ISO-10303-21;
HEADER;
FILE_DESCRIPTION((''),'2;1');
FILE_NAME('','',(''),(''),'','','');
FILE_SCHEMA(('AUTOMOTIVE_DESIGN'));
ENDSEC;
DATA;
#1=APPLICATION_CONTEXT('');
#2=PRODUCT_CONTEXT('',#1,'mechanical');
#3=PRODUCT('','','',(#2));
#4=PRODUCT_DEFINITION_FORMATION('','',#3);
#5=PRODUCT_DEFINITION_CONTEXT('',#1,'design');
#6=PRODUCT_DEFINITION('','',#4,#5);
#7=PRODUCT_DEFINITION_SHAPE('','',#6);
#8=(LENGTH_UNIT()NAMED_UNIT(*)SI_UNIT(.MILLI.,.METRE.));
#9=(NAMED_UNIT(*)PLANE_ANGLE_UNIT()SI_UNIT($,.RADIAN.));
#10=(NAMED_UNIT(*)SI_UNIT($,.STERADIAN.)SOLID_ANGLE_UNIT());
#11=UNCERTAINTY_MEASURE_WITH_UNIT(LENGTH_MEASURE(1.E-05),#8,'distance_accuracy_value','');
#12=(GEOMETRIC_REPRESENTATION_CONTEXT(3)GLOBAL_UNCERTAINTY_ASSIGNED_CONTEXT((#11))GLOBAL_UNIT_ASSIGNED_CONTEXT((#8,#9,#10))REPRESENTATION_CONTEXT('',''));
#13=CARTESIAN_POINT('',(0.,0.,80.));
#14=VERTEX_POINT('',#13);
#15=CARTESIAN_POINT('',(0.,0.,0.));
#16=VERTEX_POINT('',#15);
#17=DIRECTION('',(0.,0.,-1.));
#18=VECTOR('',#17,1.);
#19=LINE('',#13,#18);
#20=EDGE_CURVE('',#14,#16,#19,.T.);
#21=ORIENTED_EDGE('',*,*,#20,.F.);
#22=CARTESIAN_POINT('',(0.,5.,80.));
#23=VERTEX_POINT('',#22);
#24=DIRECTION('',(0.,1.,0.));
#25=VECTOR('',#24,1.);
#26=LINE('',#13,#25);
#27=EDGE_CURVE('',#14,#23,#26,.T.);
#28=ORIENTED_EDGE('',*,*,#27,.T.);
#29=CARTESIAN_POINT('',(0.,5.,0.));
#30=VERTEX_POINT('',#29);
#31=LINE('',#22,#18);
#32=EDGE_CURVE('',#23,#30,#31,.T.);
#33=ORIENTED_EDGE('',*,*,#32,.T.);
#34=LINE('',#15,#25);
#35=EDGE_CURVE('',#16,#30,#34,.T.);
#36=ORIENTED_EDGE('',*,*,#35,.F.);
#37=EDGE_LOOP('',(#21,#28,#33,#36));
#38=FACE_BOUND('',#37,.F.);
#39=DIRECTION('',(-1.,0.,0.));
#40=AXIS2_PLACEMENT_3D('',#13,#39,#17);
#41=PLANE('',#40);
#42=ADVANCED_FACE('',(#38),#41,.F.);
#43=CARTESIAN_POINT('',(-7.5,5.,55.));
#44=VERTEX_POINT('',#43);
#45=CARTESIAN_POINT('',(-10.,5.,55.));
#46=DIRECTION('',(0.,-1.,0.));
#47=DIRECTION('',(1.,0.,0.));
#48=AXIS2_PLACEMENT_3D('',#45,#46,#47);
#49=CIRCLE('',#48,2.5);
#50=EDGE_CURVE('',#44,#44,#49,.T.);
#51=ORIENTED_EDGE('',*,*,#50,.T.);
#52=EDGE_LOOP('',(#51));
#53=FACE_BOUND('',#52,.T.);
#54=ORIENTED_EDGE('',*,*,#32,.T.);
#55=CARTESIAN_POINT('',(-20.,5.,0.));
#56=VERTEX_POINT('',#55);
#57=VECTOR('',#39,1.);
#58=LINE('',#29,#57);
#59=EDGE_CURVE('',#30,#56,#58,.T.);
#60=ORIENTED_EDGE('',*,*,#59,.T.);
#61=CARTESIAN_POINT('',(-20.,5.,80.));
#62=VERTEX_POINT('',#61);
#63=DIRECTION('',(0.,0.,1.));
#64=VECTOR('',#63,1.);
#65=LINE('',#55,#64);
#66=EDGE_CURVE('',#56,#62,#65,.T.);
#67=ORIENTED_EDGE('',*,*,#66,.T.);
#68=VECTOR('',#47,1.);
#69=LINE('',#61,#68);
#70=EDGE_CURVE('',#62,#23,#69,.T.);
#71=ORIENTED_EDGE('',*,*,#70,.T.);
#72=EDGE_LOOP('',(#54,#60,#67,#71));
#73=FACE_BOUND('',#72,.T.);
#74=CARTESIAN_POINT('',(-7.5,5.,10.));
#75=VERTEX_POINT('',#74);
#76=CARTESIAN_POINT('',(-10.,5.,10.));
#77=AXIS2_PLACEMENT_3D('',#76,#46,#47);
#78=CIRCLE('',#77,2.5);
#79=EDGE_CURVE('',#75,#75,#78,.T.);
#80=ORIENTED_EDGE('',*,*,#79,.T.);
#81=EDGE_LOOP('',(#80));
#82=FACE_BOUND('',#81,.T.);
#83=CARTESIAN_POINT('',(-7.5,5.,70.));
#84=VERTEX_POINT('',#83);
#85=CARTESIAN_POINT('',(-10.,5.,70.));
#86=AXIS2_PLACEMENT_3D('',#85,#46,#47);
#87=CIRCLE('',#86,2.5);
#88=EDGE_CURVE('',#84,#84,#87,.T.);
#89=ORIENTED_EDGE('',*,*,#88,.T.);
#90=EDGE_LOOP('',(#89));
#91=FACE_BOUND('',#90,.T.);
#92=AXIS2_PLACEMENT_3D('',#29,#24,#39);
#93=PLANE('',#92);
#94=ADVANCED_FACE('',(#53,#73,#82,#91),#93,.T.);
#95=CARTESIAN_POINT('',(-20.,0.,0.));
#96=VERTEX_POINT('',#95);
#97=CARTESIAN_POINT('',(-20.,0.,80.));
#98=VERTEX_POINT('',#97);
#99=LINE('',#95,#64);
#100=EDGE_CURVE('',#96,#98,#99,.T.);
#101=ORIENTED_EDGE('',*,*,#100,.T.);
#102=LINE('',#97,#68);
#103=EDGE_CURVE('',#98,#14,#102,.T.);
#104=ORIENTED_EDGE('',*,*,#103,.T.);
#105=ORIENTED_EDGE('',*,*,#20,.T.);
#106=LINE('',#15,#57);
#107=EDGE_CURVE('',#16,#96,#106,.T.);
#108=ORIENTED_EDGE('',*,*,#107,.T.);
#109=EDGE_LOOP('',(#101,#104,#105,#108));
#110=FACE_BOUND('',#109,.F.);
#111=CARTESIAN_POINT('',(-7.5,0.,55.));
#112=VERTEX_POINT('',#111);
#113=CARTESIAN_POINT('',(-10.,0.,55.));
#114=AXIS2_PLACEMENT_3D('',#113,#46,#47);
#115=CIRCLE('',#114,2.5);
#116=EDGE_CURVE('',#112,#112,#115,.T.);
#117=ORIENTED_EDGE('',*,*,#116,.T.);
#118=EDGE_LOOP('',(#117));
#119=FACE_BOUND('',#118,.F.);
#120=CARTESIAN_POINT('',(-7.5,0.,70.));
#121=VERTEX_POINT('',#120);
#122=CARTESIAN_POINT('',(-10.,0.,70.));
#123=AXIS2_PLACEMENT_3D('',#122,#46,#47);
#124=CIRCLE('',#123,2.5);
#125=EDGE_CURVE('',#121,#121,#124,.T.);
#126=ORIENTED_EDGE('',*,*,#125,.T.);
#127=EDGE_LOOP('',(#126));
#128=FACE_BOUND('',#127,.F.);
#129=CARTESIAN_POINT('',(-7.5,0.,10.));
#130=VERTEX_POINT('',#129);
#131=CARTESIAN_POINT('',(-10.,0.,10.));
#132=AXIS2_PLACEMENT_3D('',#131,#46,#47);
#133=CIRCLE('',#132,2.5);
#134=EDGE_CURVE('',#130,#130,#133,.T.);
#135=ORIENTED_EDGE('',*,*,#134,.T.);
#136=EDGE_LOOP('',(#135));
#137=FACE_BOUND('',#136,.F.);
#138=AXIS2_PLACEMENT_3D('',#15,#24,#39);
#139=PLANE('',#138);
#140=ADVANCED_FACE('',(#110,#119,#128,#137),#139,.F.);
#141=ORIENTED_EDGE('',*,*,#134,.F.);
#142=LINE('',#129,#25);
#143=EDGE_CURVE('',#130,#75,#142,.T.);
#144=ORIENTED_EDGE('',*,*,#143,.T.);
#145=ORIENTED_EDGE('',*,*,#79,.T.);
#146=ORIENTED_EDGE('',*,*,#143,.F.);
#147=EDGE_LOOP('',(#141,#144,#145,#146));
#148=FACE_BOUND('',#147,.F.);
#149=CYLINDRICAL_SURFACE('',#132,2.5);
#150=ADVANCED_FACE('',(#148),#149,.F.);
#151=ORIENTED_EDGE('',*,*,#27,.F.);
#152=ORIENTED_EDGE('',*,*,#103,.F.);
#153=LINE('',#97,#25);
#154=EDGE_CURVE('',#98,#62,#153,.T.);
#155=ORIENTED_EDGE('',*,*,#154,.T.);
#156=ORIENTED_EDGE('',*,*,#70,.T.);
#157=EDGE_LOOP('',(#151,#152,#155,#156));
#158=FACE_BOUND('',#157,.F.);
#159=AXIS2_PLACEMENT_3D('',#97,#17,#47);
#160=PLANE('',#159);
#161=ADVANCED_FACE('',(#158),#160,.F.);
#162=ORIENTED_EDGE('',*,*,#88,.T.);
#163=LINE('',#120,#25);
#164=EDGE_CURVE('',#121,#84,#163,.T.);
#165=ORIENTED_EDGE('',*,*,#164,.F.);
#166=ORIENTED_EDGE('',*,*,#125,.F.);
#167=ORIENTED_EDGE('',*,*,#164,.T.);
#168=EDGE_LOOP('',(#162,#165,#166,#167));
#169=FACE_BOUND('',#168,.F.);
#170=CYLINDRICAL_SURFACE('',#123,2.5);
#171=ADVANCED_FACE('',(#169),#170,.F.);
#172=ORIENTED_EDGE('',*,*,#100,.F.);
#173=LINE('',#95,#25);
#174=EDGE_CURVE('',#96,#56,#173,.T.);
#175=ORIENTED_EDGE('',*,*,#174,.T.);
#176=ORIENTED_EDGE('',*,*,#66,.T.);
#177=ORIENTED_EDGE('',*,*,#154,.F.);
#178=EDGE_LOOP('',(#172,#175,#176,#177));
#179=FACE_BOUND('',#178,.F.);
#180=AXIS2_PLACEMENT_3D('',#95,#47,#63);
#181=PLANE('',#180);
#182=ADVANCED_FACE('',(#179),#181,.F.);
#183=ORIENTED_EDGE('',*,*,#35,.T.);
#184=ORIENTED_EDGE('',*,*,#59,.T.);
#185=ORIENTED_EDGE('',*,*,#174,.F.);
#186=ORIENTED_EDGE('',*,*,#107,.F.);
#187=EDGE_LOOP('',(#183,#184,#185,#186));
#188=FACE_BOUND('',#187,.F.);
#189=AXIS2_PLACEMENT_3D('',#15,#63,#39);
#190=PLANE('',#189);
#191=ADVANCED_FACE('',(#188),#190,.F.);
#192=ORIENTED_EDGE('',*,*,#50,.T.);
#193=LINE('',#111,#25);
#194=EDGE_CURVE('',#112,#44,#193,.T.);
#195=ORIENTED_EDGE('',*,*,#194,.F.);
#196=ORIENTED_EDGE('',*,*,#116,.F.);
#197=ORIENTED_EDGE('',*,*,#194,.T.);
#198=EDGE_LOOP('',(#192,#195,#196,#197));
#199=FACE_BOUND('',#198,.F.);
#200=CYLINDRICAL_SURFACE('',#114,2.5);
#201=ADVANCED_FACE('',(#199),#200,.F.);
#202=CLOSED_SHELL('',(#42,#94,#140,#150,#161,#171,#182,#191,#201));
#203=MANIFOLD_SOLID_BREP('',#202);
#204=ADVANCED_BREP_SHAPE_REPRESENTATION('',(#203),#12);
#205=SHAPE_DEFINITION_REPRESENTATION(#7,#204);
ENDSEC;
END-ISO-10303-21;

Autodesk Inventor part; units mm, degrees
ref_plane "YZ Plane" through (0, 0, 0) normal (1, 0, 0) x (0, 1, 0)
ref_plane "XZ Plane" through (0, 0, 0) normal (0, 1, 0) x (-1, 0, 0)
ref_plane "XY Plane" through (0, 0, 0) normal (0, 0, 1) x (1, 0, 0)
sketch "Sketch4" plane through (0, 0, 0) normal (0, 1, 0) x (-1, 0, 0)
  line L0 (0, 0) -> (20, 0)
  line L1 (20, 0) -> (20, 80)
  line L2 (20, 80) -> (0, 80)
  line L3 (0, 80) -> (0, 0)
  circle A0 centre (-8.1929, 3.0927) radius 2.5
  dimension "d0" = 80
  dimension "d3" = 20
extrude "Extrusion1" add sketch "Sketch4" along normal blind 5 contours L3 L2 L1 L0
sketch "Sketch5" plane through (0, 0, 0) normal (0, -1, 0) x (1, 0, 0)
  line L0 (0, 0) -> (-20, 0) projected
  line L1 (0, 80) -> (0, 0) projected
  line L2 (-20, 80) -> (0, 80) projected
  line L3 (-20, 0) -> (-20, 80) projected
  circle A0 centre (-10, 10) radius 2.5
  circle A1 centre (-10, 70) radius 2.5
  circle A2 centre (-10, 55) radius 2.5
  dimension "d5" = 5
  dimension "d6" = 5
  dimension "d7" = 10
  dimension "d8" = 10
  dimension "d9" = 10
  dimension "d10" = 10
  dimension "d13" = 5
  dimension "d17" = 15
extrude "Extrusion3" cut sketch "Sketch5" against normal through all contours A0 | A1 | A2
properties part number "holdersupport" material "Wood (Birch)"
